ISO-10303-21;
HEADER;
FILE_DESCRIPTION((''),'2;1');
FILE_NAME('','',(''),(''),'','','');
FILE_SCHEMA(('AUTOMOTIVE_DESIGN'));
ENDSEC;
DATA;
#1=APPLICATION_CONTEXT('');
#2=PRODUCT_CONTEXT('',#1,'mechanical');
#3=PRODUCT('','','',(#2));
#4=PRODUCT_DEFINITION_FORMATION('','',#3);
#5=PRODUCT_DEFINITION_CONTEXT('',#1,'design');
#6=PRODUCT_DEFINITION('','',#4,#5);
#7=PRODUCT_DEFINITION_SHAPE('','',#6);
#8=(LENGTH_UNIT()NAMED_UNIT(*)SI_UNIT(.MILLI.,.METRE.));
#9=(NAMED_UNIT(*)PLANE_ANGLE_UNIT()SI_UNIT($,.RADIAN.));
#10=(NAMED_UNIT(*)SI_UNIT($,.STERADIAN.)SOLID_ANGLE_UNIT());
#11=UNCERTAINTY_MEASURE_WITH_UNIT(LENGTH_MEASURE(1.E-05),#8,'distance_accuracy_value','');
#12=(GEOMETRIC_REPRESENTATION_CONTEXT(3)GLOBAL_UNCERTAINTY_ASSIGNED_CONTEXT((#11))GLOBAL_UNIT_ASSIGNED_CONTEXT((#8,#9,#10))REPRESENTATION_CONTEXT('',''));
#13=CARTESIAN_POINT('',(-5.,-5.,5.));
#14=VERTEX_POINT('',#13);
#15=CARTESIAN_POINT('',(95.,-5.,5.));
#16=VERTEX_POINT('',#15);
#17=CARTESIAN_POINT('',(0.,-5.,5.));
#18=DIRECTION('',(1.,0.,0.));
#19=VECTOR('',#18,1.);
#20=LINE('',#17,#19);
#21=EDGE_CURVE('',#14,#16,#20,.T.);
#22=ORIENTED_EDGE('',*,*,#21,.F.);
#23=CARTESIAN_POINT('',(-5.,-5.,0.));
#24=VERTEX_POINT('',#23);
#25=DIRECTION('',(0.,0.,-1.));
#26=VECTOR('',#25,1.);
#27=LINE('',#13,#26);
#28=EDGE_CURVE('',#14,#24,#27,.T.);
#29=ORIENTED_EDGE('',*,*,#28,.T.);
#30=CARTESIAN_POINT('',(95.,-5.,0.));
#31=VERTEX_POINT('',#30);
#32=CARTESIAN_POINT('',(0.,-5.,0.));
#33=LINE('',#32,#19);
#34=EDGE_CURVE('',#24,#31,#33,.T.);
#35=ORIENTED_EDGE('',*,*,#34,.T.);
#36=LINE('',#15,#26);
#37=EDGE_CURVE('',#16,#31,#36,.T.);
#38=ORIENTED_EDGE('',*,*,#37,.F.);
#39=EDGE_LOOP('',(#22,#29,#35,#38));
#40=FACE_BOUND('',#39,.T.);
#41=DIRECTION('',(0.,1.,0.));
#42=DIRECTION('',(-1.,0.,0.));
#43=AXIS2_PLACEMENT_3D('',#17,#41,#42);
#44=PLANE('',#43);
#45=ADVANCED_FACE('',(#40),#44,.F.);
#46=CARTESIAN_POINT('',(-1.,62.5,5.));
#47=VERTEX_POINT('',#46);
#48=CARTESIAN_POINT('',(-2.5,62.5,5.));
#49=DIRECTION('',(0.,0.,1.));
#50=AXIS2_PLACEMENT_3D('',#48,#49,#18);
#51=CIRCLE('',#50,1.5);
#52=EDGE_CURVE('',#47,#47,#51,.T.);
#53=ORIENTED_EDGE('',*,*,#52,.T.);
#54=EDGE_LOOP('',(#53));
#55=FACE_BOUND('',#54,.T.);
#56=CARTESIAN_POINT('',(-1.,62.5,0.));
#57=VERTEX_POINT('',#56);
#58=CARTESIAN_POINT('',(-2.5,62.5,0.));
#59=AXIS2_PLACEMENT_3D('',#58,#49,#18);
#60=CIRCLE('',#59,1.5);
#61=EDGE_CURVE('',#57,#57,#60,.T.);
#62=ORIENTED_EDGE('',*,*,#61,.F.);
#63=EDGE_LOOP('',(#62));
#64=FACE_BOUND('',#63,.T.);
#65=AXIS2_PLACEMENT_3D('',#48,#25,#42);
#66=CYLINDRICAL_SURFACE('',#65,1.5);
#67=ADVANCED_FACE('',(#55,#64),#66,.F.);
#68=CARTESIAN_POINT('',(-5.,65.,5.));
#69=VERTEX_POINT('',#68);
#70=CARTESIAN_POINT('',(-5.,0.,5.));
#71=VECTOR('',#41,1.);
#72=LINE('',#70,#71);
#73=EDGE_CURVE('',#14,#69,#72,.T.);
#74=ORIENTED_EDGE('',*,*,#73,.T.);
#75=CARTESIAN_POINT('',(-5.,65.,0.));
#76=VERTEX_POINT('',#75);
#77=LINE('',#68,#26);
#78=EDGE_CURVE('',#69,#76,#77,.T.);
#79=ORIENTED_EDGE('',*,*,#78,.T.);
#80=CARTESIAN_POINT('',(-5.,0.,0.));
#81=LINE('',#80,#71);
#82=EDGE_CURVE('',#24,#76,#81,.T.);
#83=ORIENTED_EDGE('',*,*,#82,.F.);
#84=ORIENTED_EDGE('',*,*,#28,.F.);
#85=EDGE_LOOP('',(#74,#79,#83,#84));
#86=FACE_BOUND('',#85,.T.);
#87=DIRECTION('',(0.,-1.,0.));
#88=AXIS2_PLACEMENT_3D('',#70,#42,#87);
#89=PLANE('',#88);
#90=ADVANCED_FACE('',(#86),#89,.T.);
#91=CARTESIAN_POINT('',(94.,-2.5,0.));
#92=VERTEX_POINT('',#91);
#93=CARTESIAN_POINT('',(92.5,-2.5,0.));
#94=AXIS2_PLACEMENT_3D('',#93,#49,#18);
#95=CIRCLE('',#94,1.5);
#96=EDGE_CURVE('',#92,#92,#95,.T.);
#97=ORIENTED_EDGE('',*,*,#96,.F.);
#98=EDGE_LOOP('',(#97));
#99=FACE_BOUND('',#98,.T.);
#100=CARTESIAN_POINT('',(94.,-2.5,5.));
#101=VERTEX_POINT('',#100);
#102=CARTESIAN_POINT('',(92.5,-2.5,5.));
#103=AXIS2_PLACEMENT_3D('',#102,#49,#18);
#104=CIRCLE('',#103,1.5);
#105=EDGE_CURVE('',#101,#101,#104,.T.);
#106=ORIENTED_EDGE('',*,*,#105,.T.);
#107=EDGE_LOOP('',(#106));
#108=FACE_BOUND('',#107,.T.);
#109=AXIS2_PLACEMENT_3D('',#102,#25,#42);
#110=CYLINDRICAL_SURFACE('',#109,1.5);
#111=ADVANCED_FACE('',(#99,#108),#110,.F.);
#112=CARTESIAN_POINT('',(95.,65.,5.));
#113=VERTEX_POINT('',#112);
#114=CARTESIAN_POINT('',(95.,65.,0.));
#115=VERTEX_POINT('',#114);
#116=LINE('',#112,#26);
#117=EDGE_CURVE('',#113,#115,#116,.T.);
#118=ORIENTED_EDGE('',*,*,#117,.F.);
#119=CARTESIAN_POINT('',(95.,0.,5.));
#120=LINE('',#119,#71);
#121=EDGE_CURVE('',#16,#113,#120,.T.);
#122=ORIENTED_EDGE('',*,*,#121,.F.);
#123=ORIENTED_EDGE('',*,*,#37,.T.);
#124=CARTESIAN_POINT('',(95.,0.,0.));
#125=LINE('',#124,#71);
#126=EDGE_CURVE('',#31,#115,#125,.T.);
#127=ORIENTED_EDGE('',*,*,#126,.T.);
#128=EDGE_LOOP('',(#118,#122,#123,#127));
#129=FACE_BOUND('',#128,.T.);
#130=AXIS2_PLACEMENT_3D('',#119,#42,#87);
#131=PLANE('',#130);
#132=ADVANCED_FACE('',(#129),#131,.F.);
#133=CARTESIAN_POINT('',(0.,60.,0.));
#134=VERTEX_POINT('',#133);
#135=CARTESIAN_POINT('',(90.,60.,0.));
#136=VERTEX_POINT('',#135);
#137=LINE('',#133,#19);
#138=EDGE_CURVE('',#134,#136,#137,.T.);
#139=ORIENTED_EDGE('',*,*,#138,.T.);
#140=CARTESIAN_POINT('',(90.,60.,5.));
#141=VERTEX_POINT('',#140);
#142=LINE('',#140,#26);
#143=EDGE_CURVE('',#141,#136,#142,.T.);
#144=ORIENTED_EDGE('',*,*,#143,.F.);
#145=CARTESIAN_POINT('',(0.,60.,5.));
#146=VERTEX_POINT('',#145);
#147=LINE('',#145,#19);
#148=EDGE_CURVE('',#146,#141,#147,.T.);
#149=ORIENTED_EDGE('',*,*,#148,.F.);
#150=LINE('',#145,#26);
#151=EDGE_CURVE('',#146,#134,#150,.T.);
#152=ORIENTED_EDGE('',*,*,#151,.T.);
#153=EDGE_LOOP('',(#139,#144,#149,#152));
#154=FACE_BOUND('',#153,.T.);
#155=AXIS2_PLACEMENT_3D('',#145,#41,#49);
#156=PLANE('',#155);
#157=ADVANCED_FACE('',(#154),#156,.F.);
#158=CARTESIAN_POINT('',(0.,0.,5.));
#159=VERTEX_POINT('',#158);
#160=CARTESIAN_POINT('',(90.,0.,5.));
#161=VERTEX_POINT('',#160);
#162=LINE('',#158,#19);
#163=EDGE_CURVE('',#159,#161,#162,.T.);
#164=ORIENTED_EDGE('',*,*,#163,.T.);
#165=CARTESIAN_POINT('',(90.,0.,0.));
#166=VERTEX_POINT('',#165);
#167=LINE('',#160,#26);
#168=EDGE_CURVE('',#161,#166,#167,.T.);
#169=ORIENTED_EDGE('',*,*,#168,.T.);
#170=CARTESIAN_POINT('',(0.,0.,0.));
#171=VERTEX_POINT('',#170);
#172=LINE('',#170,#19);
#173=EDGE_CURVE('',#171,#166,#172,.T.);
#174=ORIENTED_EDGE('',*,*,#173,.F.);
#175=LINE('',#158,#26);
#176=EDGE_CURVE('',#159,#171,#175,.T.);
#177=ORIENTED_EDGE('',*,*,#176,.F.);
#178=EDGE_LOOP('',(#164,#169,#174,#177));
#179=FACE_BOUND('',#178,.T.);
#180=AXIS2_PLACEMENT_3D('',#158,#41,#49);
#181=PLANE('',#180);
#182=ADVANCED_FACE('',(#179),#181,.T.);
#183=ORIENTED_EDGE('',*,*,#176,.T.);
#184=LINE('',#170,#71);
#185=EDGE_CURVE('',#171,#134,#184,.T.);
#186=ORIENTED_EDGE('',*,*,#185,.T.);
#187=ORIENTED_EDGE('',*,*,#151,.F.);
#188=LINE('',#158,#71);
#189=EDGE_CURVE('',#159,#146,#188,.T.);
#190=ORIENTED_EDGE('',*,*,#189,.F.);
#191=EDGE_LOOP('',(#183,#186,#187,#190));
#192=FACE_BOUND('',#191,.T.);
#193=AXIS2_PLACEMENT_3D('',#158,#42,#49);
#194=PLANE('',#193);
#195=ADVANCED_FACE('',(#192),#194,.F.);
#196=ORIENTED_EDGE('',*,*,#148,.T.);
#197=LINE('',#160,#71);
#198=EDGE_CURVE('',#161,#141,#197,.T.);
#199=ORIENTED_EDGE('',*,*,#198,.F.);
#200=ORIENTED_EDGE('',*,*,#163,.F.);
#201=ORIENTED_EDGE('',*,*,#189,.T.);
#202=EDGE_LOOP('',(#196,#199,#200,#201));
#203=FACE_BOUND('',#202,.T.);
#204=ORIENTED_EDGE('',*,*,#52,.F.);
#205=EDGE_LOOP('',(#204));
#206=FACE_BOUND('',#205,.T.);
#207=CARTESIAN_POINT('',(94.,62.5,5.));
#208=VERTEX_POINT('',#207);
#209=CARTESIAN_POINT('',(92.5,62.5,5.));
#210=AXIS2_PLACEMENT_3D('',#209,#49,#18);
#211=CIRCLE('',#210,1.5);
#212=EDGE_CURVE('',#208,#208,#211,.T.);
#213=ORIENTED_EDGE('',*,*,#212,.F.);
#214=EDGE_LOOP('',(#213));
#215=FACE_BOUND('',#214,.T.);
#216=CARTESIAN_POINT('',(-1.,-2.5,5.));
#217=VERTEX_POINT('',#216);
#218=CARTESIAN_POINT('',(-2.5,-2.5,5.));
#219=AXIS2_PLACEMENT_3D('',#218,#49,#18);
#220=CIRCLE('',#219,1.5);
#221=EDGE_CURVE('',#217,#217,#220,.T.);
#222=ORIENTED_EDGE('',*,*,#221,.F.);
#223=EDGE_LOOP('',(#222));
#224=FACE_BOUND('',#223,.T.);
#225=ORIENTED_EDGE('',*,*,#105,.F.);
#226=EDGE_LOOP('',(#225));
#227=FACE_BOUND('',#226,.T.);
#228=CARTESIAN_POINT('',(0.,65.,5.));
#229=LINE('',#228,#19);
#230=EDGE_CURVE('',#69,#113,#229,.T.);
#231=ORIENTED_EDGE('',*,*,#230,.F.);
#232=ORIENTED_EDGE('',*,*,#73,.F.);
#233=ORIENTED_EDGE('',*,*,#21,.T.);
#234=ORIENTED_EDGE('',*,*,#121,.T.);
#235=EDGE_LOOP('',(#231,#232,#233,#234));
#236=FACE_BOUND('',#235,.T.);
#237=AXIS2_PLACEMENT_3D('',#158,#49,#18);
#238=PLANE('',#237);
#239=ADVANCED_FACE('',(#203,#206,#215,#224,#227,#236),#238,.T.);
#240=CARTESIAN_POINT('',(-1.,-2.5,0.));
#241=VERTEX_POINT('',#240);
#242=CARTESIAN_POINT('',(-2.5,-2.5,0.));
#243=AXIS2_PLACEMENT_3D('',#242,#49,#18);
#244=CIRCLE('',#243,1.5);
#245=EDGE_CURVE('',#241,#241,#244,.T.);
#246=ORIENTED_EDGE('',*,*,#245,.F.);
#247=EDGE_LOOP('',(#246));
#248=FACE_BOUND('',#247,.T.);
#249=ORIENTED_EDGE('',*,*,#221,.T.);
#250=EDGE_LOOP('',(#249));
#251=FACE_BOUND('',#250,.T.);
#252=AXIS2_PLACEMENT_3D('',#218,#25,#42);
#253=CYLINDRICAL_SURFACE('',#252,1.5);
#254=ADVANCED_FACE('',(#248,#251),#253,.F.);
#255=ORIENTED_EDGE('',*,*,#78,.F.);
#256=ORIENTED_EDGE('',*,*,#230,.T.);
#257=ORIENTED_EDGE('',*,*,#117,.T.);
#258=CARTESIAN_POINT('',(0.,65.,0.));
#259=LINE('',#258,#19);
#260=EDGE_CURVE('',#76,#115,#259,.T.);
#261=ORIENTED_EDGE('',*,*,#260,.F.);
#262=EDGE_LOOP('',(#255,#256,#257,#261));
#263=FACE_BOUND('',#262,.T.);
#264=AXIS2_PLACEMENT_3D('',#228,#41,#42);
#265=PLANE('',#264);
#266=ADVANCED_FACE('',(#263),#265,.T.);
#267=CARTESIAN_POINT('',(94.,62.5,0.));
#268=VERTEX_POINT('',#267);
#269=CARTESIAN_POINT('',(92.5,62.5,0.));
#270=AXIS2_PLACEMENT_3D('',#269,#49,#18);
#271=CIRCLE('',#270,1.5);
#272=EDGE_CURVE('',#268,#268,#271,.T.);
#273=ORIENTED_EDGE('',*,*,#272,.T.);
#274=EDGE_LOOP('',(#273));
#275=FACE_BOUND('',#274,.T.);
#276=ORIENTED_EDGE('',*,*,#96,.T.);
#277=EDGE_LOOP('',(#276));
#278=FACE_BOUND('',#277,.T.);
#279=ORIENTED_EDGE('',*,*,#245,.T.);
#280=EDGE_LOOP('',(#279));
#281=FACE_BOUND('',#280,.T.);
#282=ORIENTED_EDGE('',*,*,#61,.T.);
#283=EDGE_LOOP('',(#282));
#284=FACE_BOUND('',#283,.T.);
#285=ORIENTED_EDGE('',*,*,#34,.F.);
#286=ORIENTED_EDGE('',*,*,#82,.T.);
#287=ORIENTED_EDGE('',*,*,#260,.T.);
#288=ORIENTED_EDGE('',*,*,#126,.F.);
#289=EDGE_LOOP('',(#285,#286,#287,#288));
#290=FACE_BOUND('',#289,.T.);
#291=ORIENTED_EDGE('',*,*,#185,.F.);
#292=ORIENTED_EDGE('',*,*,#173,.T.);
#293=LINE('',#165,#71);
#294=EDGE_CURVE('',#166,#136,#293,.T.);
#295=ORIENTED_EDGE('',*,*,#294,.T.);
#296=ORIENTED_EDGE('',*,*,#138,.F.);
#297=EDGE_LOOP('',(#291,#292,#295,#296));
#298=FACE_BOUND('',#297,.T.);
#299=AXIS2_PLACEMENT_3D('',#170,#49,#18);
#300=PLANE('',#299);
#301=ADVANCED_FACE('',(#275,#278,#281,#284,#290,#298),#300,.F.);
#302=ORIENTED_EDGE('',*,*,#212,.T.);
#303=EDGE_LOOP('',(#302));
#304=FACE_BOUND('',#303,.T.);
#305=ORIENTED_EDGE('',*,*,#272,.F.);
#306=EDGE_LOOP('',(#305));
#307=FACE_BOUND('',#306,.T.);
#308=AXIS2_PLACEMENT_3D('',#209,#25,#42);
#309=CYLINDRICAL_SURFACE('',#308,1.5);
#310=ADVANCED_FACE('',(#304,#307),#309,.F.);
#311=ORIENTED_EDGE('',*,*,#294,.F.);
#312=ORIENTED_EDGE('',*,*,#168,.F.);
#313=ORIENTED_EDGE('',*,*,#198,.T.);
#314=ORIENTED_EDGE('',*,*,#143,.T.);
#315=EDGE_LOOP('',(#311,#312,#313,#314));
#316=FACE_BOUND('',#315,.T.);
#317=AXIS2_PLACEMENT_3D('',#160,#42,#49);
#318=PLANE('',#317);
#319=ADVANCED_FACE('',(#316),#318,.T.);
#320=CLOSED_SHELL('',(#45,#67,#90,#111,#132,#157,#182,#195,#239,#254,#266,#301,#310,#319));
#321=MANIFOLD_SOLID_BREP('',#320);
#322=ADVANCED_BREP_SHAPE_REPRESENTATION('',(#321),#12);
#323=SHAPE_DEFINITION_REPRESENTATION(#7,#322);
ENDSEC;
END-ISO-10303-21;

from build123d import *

# Parameters (mm, degrees)
SKETCH1_W           = 100
SKETCH1_H           = 70
SKETCH1_R           = 1.5
SKETCH1_W_2         = 90
SKETCH1_H_2         = 60
BOSS_EXTRUDE1_DEPTH = 5


with BuildPart() as part:
    # Sketch1 → Boss-Extrude1 (new body)
    with BuildSketch(Plane.XY):
        with Locations((45, 30)):
            Rectangle(SKETCH1_W, SKETCH1_H)
        with Locations((92.5, -2.5)):
            Circle(SKETCH1_R, mode=Mode.SUBTRACT)
        with Locations((92.5, 62.5)):
            Circle(SKETCH1_R, mode=Mode.SUBTRACT)
        with Locations((-2.5, 62.5)):
            Circle(SKETCH1_R, mode=Mode.SUBTRACT)
        with Locations((-2.5, -2.5)):
            Circle(SKETCH1_R, mode=Mode.SUBTRACT)
        with Locations((45, 30)):
            Rectangle(SKETCH1_W_2, SKETCH1_H_2, mode=Mode.SUBTRACT)
    extrude(amount=BOSS_EXTRUDE1_DEPTH)


solid = part.part
